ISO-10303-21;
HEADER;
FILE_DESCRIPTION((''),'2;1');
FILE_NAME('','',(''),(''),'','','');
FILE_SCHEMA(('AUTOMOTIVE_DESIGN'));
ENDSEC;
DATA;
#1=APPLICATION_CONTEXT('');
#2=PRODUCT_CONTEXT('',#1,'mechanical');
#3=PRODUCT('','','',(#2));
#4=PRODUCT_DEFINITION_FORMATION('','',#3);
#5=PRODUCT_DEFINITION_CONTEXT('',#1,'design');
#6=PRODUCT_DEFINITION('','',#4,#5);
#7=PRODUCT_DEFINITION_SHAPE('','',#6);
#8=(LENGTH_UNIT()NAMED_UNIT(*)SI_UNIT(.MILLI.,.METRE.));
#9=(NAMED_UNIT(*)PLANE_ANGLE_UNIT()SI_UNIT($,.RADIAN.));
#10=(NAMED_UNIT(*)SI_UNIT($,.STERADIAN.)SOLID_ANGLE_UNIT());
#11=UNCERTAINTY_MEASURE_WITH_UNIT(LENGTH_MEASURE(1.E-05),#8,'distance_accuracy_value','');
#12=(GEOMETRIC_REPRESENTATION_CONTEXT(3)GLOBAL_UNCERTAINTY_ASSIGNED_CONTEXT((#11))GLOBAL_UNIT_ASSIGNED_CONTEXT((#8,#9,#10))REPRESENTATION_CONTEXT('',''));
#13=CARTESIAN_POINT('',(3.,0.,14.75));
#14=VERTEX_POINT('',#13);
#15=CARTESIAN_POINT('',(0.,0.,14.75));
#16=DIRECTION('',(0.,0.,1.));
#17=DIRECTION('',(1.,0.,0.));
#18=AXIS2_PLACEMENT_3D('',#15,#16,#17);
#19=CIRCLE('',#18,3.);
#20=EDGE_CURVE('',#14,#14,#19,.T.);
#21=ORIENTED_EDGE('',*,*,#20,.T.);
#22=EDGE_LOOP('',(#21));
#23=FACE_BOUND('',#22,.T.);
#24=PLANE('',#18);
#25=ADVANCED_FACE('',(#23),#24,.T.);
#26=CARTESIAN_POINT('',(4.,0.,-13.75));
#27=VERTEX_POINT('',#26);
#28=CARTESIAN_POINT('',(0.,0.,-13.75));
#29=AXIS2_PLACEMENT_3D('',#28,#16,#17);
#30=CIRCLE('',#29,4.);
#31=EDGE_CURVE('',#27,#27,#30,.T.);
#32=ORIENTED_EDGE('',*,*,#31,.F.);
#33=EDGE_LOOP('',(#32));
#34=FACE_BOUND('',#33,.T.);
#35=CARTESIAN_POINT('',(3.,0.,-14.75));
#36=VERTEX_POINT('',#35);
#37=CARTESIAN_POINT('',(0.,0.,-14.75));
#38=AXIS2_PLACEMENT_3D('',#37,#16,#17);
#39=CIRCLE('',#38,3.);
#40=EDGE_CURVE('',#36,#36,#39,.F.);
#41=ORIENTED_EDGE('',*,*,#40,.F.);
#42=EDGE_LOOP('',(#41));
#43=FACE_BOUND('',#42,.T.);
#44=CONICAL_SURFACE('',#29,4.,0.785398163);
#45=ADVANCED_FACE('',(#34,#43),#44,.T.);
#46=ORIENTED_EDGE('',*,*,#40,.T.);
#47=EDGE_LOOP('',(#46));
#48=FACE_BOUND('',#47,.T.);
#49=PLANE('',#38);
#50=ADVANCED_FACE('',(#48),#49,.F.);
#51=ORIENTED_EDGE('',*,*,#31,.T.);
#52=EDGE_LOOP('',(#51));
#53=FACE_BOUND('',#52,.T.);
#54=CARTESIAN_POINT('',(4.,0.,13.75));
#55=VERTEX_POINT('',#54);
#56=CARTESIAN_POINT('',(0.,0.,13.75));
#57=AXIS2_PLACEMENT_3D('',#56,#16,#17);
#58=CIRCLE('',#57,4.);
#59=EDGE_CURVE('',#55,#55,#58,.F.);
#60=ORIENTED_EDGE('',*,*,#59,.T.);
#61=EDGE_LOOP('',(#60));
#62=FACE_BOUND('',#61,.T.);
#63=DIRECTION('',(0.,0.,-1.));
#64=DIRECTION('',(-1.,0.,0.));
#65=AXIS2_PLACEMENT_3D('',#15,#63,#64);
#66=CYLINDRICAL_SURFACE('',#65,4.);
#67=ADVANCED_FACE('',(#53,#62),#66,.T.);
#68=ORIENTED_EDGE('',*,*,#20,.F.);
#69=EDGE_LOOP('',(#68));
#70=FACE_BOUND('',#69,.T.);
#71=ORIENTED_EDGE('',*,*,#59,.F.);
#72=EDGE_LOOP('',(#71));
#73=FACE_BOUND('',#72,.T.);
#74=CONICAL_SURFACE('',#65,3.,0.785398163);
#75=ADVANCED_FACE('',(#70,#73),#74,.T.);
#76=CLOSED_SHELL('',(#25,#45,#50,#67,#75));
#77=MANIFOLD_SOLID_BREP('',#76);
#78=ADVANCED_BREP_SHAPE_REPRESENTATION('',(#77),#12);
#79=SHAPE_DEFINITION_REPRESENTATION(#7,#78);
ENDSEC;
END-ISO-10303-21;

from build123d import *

# Parameters (mm, degrees)
SKETCH_1_R      = 4
EXTRUDE_1_DEPTH = 14.75
CHAMFER_1_SIZE  = 1


with BuildPart() as part:
    # 스케치1 → 보스-돌출1 (new, symmetric)
    with BuildSketch(Plane.XY):
        Circle(SKETCH_1_R)
    extrude(amount=EXTRUDE_1_DEPTH, both=True)

    # 모따기1
    chamfer_1_edges = [part.edges().sort_by_distance(p)[0] for p in [
        (-4, 0, -14.75),
        (-4, 0, 14.75),
    ]]
    chamfer(chamfer_1_edges, length=CHAMFER_1_SIZE)


solid = part.part
